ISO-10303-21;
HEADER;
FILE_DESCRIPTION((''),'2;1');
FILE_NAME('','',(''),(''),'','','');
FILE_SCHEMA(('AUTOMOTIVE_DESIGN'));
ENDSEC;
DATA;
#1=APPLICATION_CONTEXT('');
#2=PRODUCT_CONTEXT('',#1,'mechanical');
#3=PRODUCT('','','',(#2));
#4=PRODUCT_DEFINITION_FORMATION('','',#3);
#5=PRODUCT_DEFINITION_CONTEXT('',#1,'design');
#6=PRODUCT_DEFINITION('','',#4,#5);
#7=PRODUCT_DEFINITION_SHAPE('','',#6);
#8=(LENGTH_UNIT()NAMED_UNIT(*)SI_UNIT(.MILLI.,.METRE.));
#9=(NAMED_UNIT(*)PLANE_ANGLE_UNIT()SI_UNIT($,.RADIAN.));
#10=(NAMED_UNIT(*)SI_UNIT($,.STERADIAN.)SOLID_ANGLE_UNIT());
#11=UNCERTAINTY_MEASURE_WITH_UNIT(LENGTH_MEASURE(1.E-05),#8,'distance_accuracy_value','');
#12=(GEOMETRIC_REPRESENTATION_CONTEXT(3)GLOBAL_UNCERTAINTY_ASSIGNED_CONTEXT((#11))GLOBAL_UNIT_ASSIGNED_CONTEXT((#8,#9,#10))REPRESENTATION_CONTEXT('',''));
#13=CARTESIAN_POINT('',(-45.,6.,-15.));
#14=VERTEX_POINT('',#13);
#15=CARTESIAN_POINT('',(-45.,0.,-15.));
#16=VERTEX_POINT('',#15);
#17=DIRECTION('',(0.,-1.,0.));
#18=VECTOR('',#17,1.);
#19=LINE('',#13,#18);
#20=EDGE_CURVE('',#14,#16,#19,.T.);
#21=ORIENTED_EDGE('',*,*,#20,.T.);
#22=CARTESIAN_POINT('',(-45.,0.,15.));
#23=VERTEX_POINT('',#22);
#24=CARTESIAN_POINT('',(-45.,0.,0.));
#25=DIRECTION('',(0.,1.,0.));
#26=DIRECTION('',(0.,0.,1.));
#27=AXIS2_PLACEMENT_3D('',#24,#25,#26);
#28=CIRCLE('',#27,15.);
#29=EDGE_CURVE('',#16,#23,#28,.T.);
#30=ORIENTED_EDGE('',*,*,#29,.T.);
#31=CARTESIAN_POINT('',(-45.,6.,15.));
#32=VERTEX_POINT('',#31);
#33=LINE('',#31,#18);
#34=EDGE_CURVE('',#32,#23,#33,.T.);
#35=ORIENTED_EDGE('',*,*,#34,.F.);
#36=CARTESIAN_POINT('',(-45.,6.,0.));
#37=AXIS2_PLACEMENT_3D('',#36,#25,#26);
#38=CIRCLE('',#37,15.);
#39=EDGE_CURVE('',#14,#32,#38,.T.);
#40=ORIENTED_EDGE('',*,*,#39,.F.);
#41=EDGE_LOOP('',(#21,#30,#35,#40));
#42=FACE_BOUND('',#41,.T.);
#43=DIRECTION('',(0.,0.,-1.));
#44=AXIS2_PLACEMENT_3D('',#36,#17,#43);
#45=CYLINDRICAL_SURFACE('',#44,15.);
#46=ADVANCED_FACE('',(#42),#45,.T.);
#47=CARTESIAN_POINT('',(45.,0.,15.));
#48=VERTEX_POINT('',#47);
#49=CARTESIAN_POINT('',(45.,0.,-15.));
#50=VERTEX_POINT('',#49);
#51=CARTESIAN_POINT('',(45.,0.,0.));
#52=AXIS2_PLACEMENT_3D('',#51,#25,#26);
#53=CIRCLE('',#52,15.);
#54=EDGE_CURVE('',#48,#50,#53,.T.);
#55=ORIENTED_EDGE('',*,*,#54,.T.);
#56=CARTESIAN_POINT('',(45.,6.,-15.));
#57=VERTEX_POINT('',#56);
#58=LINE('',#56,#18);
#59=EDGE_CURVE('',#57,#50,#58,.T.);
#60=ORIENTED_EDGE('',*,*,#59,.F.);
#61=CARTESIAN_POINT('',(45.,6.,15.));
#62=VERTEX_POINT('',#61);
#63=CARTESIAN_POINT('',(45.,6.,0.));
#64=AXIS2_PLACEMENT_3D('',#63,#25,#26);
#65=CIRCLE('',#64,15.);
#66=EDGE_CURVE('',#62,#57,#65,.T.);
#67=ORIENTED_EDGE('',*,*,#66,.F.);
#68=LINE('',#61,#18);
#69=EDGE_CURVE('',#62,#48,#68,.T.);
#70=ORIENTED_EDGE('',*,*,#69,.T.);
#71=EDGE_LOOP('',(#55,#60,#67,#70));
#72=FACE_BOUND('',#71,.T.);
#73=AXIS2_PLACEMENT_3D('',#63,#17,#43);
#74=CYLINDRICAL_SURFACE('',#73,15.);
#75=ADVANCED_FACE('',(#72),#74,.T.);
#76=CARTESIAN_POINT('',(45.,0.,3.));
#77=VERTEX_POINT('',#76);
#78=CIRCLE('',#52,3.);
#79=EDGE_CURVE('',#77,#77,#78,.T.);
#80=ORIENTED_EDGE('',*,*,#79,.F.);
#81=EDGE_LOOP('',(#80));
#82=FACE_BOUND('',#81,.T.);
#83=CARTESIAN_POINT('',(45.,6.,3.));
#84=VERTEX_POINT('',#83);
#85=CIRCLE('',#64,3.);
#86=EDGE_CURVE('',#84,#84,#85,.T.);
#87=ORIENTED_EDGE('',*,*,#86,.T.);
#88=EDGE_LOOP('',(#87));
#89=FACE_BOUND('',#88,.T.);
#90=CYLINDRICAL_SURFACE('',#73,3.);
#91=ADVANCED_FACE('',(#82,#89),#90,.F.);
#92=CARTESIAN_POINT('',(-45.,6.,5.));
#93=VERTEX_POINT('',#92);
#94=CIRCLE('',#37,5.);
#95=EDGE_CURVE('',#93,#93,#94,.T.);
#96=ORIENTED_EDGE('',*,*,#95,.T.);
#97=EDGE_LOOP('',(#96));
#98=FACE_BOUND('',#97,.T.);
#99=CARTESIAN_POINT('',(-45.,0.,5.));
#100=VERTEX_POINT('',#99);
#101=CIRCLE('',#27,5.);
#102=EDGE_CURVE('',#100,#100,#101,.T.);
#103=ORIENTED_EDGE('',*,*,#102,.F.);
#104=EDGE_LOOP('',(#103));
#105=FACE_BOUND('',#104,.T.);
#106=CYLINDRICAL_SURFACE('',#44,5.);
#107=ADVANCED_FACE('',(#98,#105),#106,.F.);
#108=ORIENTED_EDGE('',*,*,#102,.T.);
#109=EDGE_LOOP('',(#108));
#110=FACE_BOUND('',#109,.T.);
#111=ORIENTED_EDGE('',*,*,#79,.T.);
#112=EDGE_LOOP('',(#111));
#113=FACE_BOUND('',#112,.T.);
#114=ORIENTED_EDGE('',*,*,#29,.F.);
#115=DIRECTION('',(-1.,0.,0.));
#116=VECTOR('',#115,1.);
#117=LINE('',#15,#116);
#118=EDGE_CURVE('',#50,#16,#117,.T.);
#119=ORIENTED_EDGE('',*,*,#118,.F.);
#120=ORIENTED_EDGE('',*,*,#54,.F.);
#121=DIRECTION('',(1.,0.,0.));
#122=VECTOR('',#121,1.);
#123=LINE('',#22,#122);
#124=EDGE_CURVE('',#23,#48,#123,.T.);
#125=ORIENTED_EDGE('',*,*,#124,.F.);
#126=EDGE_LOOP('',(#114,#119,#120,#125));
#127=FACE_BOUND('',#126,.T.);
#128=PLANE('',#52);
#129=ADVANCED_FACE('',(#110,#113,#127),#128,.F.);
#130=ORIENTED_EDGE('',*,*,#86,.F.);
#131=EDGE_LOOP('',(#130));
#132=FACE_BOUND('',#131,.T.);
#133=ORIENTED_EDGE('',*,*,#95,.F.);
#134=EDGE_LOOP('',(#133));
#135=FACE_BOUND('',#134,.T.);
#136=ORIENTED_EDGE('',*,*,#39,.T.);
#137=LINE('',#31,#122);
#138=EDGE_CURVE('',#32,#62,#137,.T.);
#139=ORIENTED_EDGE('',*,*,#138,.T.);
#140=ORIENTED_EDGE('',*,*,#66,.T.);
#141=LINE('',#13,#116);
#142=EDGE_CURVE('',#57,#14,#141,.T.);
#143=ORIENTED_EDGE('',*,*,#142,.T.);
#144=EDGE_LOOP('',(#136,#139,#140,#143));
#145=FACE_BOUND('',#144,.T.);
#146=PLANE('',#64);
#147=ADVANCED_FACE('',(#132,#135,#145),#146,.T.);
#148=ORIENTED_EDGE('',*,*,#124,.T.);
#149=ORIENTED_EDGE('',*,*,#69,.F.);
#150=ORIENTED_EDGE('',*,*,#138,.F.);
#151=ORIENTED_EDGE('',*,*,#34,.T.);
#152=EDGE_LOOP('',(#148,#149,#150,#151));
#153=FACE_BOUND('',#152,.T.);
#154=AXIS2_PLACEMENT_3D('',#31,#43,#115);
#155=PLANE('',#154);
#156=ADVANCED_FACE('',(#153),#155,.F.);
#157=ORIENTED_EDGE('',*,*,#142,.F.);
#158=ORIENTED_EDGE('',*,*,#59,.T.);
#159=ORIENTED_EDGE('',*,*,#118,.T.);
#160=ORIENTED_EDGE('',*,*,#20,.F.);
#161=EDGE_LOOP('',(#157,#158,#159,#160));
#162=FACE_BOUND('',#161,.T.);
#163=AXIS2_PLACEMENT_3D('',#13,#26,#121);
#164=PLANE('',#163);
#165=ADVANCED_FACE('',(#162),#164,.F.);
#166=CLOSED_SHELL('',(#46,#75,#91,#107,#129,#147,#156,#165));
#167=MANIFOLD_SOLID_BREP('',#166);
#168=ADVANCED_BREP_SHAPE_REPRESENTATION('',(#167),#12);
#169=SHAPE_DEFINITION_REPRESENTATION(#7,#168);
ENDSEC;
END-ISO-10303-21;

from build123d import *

# Parameters (mm, degrees)
SKETCH2_R           = 5
SKETCH2_R_2         = 3
BOSS_EXTRUDE1_DEPTH = 6


with BuildPart() as part:
    # Sketch2 → Boss-Extrude1 (new body)
    with BuildSketch(Plane(origin=(0, 0, 0), x_dir=(1, 0, 0), z_dir=(0, 1, 0))):
        with BuildLine():
            Line((-45, 15), (45, 15))
            ThreePointArc((45, 15), (60, 0), (45, -15))
            Line((45, -15), (-45, -15))
            ThreePointArc((-45, -15), (-60, 0), (-45, 15))
        make_face()
        with Locations(Location((-45, 0, 0), (0, 0, 270))):
            Circle(SKETCH2_R, mode=Mode.SUBTRACT)
        with Locations(Location((45, 0, 0), (0, 0, 270))):
            Circle(SKETCH2_R_2, mode=Mode.SUBTRACT)
    extrude(amount=BOSS_EXTRUDE1_DEPTH)


solid = part.part
